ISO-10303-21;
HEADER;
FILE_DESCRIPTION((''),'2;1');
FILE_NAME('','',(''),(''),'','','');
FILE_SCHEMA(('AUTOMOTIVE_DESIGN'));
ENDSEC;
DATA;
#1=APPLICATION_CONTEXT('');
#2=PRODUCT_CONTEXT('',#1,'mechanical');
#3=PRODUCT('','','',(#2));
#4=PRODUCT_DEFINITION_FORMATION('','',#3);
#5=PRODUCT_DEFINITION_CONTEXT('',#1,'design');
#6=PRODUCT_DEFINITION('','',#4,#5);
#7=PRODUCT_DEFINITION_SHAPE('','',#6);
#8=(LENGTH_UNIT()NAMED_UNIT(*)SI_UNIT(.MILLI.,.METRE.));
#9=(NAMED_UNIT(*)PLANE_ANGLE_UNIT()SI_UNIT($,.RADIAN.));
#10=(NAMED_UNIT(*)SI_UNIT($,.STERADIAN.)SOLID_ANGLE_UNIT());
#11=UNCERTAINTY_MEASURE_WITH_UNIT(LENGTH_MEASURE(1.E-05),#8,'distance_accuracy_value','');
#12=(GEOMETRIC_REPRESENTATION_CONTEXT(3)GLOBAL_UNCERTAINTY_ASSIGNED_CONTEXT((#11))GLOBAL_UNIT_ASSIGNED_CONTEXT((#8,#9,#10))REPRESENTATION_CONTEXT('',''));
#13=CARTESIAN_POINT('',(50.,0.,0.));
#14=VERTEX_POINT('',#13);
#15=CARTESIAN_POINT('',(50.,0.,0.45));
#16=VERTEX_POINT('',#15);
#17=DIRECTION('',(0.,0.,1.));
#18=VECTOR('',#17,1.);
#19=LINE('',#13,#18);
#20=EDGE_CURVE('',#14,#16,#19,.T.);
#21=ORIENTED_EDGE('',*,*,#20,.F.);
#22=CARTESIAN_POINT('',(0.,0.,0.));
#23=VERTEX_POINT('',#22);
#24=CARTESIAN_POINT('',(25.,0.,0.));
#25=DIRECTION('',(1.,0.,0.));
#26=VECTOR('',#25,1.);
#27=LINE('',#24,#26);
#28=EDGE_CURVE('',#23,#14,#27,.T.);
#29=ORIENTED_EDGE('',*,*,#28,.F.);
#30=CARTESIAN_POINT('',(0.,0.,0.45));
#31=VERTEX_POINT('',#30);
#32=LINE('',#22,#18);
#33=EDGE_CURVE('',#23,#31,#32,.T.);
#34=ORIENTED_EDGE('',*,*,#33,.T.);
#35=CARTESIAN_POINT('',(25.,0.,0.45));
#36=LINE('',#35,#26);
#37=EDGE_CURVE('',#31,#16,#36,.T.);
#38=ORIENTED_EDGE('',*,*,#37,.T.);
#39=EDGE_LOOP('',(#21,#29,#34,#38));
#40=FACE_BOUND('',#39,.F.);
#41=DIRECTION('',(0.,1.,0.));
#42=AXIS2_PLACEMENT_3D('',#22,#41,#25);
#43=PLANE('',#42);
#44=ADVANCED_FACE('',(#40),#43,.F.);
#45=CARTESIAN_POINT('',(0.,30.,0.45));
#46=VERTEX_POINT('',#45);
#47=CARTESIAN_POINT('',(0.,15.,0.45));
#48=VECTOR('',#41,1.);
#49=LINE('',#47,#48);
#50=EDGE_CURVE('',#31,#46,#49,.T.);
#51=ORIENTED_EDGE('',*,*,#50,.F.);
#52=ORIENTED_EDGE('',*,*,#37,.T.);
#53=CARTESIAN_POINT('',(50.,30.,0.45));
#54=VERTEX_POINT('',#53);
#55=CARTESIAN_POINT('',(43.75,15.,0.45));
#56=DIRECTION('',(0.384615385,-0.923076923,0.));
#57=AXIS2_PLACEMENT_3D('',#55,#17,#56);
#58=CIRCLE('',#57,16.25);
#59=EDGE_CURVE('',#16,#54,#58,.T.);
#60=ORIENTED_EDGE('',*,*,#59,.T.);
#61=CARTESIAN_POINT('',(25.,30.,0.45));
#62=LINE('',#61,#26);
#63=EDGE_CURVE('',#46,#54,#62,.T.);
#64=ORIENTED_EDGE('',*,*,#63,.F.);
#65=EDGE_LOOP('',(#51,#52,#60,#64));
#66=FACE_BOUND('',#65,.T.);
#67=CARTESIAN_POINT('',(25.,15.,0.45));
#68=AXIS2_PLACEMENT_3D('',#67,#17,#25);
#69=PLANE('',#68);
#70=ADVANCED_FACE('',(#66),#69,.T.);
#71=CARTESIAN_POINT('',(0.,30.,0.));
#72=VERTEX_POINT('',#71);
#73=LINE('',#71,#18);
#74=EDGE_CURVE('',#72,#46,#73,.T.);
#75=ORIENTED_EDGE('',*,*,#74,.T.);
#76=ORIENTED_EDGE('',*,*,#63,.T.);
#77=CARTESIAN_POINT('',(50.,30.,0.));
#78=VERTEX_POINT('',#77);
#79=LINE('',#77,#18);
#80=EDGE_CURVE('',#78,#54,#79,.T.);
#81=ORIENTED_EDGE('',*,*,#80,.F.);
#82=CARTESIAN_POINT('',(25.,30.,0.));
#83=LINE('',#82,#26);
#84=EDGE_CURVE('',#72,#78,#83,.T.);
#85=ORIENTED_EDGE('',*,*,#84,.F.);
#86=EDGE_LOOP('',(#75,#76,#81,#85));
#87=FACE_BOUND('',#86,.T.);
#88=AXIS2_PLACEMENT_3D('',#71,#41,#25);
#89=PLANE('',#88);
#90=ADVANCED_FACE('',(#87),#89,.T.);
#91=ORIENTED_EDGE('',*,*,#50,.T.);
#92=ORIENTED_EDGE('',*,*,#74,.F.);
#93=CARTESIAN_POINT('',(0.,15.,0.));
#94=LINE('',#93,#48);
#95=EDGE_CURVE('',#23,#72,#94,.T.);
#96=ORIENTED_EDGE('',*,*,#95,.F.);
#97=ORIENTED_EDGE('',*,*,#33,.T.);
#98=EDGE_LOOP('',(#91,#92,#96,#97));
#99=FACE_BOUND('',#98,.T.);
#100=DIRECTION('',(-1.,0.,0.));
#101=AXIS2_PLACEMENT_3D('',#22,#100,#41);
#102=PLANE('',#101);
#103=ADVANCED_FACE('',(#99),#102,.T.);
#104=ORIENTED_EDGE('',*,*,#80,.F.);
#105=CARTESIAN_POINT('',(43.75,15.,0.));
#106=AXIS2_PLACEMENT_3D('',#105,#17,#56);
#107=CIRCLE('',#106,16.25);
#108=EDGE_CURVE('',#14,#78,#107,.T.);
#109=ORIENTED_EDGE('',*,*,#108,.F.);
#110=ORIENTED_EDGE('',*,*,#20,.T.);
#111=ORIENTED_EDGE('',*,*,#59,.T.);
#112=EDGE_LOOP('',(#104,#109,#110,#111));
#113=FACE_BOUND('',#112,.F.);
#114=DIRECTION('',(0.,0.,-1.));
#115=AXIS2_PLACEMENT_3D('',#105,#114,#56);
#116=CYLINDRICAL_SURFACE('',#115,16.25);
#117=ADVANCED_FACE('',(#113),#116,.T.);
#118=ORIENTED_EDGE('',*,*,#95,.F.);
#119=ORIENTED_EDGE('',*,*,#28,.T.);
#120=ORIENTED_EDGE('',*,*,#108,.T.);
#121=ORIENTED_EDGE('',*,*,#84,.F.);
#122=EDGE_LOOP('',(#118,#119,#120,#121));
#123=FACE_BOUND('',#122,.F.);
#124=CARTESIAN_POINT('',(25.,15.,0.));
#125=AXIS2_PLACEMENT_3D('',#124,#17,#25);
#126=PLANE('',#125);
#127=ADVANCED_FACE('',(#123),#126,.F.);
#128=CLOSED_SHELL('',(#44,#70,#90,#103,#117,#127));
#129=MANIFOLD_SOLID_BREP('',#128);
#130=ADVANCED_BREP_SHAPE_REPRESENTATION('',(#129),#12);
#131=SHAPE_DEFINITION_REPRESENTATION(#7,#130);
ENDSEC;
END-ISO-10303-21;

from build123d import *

# Parameters (mm, degrees)
F0_W     = 50
F0_H     = 30
F1_DEPTH = 0.45


with BuildPart() as f1:
    # F0 (on Top) → F1 (new body)
    with BuildSketch(Plane.XY):
        with Locations((25, 15)):
            Rectangle(F0_W, F0_H)
        with BuildLine():
            Line((50, 30), (50, 0))
            ThreePointArc((50, 0), (60, 15), (50, 30))
        make_face()
    extrude(amount=F1_DEPTH)


with BuildPart() as f2_1:
    # F2: copy of F1
    add(f1.part)


solid = f1.part
